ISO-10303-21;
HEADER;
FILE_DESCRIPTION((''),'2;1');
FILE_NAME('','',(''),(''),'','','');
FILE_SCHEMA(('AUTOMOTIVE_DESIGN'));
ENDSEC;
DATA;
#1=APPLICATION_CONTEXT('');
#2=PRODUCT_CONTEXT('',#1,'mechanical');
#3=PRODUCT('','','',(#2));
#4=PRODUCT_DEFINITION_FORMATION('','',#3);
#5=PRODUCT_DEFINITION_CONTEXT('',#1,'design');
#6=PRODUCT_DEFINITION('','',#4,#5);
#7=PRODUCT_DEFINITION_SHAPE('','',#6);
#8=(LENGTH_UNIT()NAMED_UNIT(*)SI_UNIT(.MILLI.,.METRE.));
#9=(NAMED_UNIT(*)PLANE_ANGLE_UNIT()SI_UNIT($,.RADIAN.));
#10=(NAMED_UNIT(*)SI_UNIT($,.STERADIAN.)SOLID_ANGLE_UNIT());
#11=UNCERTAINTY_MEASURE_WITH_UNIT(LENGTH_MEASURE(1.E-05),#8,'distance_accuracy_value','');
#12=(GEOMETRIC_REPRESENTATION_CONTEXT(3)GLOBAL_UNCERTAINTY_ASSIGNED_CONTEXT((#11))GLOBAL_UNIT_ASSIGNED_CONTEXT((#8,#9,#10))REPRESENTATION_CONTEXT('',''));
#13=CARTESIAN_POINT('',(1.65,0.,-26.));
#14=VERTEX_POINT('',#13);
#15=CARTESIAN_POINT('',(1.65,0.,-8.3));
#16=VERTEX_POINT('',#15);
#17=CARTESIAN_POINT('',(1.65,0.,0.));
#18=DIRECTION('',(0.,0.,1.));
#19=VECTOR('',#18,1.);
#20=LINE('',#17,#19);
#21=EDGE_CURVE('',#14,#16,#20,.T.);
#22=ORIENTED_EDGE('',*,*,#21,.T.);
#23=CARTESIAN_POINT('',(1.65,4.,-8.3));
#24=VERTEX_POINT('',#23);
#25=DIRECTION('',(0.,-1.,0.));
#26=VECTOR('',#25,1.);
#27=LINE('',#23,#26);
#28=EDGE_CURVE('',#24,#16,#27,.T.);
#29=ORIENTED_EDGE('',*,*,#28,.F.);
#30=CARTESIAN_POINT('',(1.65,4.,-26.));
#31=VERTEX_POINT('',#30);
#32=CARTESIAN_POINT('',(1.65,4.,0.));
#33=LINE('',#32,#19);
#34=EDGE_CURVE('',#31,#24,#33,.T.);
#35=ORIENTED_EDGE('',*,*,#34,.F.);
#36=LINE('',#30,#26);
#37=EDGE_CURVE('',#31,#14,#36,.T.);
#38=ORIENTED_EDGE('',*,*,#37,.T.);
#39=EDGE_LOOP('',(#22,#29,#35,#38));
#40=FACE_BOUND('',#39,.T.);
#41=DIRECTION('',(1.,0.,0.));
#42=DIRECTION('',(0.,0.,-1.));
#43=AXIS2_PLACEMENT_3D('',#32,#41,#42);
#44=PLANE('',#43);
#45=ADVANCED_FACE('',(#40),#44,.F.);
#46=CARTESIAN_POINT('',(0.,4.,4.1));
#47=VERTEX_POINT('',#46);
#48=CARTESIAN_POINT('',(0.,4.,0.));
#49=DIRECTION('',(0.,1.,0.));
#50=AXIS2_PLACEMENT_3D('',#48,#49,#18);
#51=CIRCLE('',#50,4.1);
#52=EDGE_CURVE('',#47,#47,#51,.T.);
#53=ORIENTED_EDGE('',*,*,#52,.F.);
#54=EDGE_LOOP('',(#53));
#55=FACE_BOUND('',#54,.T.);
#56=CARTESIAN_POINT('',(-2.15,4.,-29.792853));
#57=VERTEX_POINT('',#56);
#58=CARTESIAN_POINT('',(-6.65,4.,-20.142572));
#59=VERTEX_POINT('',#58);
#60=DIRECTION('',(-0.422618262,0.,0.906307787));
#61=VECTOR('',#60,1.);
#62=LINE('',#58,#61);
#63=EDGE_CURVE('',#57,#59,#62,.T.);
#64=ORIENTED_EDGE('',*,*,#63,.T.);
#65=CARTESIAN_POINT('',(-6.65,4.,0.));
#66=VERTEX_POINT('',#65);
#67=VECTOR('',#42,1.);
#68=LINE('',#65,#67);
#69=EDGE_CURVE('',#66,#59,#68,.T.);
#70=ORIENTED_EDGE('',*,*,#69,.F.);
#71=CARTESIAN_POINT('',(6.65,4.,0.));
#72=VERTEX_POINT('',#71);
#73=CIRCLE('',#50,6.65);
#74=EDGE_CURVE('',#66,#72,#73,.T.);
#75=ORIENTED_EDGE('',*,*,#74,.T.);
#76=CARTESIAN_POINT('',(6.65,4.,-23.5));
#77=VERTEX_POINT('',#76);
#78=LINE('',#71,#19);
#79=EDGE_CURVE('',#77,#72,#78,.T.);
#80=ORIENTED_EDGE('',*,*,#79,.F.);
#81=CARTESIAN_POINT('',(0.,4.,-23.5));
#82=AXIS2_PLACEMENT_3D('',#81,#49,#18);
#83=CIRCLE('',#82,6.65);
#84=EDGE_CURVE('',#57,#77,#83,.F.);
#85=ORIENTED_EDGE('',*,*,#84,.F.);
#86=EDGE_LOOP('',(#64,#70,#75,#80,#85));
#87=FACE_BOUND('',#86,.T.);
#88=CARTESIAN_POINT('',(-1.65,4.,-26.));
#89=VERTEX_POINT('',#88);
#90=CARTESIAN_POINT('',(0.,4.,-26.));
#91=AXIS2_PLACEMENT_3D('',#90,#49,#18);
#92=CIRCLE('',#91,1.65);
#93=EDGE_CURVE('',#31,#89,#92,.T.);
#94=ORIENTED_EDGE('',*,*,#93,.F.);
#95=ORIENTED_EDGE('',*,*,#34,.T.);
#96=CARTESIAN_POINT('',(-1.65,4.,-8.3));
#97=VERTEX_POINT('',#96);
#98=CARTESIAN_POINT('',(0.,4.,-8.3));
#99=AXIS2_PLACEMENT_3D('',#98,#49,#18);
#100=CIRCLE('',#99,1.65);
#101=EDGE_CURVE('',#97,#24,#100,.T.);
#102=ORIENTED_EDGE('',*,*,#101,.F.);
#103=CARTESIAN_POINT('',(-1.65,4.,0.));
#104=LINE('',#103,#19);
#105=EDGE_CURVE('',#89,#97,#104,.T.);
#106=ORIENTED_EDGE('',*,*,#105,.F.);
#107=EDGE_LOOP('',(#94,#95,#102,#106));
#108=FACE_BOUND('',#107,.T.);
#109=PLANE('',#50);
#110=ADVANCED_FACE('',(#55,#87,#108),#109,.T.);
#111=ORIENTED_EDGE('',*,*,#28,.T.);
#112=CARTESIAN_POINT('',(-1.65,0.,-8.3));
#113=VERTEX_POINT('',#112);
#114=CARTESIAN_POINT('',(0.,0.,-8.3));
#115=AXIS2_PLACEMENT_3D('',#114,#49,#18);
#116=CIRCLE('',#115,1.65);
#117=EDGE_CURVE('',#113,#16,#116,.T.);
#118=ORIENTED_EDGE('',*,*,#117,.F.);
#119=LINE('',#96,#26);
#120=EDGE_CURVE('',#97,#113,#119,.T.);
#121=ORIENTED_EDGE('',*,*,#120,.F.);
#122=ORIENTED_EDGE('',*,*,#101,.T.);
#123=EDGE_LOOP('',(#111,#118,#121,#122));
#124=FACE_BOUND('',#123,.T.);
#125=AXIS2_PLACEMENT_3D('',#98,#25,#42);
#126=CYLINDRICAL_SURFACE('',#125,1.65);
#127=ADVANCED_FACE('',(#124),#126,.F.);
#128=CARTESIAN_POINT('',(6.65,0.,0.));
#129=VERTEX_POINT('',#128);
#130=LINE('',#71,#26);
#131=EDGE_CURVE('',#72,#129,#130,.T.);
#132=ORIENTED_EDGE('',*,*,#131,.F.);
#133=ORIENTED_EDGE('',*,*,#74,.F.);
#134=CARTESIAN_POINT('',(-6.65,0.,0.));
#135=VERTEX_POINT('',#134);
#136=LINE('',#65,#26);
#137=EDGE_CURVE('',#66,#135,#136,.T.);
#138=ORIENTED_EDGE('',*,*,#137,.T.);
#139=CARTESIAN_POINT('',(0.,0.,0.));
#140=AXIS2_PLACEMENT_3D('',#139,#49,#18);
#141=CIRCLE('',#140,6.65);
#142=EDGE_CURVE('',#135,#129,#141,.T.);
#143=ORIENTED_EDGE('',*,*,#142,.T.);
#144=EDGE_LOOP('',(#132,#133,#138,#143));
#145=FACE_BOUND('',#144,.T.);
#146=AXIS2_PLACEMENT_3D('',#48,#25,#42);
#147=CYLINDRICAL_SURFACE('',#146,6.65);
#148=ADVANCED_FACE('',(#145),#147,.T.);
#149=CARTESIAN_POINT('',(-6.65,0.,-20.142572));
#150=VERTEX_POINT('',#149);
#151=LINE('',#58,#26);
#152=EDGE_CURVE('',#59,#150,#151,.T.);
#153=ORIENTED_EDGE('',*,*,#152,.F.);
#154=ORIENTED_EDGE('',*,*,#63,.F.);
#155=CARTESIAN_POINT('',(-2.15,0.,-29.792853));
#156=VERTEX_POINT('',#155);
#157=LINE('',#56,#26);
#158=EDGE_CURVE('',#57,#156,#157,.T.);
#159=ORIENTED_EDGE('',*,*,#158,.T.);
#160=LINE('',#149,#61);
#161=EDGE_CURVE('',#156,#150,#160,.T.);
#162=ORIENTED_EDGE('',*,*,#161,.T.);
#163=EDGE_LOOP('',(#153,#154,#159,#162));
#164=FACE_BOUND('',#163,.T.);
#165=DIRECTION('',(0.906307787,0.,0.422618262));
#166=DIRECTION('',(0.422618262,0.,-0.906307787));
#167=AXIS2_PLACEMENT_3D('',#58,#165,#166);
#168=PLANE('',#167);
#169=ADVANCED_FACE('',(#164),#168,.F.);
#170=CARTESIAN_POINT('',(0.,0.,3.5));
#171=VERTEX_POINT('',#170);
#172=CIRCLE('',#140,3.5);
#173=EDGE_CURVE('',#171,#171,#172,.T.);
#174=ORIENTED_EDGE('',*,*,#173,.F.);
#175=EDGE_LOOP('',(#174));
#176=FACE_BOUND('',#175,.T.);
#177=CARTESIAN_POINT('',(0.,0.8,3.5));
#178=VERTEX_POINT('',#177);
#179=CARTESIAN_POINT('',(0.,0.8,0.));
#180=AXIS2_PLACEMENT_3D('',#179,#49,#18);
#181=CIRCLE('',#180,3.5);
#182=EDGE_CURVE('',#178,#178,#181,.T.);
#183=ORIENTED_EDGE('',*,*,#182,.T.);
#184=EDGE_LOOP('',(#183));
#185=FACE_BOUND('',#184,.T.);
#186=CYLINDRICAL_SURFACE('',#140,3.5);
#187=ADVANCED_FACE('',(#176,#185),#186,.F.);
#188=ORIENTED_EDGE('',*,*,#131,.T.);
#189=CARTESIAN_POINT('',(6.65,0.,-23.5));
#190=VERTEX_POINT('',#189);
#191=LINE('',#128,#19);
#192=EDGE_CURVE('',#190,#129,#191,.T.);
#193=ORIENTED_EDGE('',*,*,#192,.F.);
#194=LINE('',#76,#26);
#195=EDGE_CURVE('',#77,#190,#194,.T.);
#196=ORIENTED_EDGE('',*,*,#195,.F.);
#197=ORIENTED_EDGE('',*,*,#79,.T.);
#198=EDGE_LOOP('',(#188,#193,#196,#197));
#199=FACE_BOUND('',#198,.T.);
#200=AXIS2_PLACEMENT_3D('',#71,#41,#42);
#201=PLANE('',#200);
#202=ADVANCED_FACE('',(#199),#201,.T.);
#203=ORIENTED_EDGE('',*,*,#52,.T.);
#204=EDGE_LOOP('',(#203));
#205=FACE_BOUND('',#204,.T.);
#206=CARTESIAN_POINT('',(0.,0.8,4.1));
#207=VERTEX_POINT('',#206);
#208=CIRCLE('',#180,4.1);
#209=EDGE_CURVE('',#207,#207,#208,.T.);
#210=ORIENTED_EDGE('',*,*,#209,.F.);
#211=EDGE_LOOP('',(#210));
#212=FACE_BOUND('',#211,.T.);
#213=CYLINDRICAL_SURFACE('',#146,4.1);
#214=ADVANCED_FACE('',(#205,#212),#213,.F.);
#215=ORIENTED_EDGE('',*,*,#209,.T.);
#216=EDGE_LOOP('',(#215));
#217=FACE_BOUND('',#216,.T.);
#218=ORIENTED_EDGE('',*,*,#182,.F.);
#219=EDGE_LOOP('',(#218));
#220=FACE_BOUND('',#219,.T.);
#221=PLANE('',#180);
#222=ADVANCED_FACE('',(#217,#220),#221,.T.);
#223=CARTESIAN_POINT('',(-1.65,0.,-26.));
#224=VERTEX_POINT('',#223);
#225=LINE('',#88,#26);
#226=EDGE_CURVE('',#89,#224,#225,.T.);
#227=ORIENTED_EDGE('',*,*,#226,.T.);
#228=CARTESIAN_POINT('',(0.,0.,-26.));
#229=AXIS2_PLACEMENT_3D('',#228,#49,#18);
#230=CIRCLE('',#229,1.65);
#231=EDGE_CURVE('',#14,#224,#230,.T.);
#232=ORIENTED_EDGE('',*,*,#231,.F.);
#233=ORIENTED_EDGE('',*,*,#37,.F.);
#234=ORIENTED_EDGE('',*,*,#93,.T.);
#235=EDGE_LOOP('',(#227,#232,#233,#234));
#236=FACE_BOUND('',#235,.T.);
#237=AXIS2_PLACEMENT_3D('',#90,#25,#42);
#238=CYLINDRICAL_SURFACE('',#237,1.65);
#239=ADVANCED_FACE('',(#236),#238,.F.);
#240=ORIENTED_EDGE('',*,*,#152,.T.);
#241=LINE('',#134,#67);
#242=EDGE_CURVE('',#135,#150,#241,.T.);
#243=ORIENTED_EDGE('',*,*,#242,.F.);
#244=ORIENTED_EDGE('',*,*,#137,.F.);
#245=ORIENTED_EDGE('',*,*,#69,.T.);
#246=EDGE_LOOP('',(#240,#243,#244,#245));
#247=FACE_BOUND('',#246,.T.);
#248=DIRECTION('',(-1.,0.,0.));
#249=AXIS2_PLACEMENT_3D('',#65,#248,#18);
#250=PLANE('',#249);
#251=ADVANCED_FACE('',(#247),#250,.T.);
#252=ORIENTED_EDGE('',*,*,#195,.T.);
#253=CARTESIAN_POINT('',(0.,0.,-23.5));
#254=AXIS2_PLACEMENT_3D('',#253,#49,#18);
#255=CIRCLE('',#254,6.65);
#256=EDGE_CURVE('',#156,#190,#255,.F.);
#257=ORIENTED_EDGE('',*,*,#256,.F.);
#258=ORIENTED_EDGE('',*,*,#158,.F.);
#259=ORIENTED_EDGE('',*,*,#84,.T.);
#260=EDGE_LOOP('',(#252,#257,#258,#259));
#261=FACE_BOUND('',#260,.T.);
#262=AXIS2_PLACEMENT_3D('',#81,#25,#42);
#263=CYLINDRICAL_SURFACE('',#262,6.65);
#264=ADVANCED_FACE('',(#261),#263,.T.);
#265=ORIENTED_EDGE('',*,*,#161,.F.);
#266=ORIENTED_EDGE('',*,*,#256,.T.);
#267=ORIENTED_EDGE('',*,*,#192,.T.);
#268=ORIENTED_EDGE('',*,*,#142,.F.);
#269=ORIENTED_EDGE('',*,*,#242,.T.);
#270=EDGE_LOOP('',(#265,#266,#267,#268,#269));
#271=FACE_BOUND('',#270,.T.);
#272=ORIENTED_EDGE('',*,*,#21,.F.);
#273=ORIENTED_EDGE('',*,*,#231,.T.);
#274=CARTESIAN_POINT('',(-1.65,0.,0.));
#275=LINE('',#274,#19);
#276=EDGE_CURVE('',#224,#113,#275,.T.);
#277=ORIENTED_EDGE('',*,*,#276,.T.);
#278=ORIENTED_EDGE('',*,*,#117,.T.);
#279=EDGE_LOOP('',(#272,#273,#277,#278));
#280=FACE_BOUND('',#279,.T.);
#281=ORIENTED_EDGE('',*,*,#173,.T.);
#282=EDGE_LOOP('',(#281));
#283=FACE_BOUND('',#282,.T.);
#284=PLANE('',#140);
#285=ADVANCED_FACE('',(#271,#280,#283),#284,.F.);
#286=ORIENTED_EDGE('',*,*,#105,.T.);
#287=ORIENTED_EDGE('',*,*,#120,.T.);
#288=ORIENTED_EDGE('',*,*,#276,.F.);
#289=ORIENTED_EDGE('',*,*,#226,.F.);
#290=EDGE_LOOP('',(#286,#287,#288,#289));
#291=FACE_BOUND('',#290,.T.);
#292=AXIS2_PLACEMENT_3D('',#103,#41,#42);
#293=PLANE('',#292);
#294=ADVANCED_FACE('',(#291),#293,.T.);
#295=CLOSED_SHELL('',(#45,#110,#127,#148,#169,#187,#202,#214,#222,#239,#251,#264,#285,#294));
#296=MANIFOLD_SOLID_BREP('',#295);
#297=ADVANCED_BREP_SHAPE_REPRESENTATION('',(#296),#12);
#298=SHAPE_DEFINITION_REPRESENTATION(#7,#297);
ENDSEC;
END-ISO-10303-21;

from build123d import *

# Parameters (mm, degrees)
SKETCH1_R           = 6.65
SKETCH1_R_2         = 4.1
BOSS_EXTRUDE1_DEPTH = 4
SKETCH2_R           = 4.1
BOSS_EXTRUDE2_DEPTH = 0.8
SKETCH3_R           = 3.5
CUT_EXTRUDE1_DEPTH  = 1.8
CUT_EXTRUDE2_DEPTH  = 5


with BuildPart() as part:
    # Sketch1 → Boss-Extrude1 (new body)
    with BuildSketch(Plane(origin=(0, 0, 0), x_dir=(1, 0, 0), z_dir=(0, 1, 0))):
        with BuildLine():
            Line((-6.65, 23.5), (-6.65, 0))
            ThreePointArc((-6.65, 0), (-4.702260096, 4.702260094), (-2e-09, 6.65))
            ThreePointArc((-2e-09, 6.65), (4.702260094, 4.702260096), (6.65, 0))
            Line((6.65, 0), (6.65, 23.5))
            ThreePointArc((6.65, 23.5), (0, 30.15), (-6.65, 23.5))
        make_face()
        with BuildLine():
            ThreePointArc((1.65, 8.3), (1.166726188, 7.13327381), (-2e-09, 6.65))
            ThreePointArc((-2e-09, 6.65), (-1.16672619, 7.133273812), (-1.65, 8.3))
            Line((-1.65, 8.3), (-1.65, 26))
            ThreePointArc((-1.65, 26), (0, 27.65), (1.65, 26))
            Line((1.65, 26), (1.65, 8.3))
        make_face(mode=Mode.SUBTRACT)
        Circle(SKETCH1_R)
        Circle(SKETCH1_R_2, mode=Mode.SUBTRACT)
    extrude(amount=BOSS_EXTRUDE1_DEPTH)

    # Sketch2 → Boss-Extrude2 (add)
    with BuildSketch(Plane(origin=(0, 0, 0), x_dir=(1, 0, 0), z_dir=(0, 1, 0))):
        Circle(SKETCH2_R)
    extrude(amount=BOSS_EXTRUDE2_DEPTH)

    # Sketch3 → Cut-Extrude1 (cut, through all)
    with BuildSketch(Plane(origin=(0, 0.8, 0), x_dir=(1, 0, 0), z_dir=(0, 1, 0))):
        Circle(SKETCH3_R)
    extrude(amount=-CUT_EXTRUDE1_DEPTH, mode=Mode.SUBTRACT)

    # Sketch4 → Cut-Extrude2 (cut, through all)
    with BuildSketch(Plane.XZ):
        with BuildLine():
            Line((-6.65, -20.142571947), (-2.15, -29.792853089))
            ThreePointArc((-2.15, -29.792853089), (-5.409251335, -27.368139087), (-6.65, -23.5))
            Line((-6.65, -23.5), (-6.65, -20.142571947))
        make_face()
    extrude(amount=-CUT_EXTRUDE2_DEPTH, mode=Mode.SUBTRACT)


solid = part.part
